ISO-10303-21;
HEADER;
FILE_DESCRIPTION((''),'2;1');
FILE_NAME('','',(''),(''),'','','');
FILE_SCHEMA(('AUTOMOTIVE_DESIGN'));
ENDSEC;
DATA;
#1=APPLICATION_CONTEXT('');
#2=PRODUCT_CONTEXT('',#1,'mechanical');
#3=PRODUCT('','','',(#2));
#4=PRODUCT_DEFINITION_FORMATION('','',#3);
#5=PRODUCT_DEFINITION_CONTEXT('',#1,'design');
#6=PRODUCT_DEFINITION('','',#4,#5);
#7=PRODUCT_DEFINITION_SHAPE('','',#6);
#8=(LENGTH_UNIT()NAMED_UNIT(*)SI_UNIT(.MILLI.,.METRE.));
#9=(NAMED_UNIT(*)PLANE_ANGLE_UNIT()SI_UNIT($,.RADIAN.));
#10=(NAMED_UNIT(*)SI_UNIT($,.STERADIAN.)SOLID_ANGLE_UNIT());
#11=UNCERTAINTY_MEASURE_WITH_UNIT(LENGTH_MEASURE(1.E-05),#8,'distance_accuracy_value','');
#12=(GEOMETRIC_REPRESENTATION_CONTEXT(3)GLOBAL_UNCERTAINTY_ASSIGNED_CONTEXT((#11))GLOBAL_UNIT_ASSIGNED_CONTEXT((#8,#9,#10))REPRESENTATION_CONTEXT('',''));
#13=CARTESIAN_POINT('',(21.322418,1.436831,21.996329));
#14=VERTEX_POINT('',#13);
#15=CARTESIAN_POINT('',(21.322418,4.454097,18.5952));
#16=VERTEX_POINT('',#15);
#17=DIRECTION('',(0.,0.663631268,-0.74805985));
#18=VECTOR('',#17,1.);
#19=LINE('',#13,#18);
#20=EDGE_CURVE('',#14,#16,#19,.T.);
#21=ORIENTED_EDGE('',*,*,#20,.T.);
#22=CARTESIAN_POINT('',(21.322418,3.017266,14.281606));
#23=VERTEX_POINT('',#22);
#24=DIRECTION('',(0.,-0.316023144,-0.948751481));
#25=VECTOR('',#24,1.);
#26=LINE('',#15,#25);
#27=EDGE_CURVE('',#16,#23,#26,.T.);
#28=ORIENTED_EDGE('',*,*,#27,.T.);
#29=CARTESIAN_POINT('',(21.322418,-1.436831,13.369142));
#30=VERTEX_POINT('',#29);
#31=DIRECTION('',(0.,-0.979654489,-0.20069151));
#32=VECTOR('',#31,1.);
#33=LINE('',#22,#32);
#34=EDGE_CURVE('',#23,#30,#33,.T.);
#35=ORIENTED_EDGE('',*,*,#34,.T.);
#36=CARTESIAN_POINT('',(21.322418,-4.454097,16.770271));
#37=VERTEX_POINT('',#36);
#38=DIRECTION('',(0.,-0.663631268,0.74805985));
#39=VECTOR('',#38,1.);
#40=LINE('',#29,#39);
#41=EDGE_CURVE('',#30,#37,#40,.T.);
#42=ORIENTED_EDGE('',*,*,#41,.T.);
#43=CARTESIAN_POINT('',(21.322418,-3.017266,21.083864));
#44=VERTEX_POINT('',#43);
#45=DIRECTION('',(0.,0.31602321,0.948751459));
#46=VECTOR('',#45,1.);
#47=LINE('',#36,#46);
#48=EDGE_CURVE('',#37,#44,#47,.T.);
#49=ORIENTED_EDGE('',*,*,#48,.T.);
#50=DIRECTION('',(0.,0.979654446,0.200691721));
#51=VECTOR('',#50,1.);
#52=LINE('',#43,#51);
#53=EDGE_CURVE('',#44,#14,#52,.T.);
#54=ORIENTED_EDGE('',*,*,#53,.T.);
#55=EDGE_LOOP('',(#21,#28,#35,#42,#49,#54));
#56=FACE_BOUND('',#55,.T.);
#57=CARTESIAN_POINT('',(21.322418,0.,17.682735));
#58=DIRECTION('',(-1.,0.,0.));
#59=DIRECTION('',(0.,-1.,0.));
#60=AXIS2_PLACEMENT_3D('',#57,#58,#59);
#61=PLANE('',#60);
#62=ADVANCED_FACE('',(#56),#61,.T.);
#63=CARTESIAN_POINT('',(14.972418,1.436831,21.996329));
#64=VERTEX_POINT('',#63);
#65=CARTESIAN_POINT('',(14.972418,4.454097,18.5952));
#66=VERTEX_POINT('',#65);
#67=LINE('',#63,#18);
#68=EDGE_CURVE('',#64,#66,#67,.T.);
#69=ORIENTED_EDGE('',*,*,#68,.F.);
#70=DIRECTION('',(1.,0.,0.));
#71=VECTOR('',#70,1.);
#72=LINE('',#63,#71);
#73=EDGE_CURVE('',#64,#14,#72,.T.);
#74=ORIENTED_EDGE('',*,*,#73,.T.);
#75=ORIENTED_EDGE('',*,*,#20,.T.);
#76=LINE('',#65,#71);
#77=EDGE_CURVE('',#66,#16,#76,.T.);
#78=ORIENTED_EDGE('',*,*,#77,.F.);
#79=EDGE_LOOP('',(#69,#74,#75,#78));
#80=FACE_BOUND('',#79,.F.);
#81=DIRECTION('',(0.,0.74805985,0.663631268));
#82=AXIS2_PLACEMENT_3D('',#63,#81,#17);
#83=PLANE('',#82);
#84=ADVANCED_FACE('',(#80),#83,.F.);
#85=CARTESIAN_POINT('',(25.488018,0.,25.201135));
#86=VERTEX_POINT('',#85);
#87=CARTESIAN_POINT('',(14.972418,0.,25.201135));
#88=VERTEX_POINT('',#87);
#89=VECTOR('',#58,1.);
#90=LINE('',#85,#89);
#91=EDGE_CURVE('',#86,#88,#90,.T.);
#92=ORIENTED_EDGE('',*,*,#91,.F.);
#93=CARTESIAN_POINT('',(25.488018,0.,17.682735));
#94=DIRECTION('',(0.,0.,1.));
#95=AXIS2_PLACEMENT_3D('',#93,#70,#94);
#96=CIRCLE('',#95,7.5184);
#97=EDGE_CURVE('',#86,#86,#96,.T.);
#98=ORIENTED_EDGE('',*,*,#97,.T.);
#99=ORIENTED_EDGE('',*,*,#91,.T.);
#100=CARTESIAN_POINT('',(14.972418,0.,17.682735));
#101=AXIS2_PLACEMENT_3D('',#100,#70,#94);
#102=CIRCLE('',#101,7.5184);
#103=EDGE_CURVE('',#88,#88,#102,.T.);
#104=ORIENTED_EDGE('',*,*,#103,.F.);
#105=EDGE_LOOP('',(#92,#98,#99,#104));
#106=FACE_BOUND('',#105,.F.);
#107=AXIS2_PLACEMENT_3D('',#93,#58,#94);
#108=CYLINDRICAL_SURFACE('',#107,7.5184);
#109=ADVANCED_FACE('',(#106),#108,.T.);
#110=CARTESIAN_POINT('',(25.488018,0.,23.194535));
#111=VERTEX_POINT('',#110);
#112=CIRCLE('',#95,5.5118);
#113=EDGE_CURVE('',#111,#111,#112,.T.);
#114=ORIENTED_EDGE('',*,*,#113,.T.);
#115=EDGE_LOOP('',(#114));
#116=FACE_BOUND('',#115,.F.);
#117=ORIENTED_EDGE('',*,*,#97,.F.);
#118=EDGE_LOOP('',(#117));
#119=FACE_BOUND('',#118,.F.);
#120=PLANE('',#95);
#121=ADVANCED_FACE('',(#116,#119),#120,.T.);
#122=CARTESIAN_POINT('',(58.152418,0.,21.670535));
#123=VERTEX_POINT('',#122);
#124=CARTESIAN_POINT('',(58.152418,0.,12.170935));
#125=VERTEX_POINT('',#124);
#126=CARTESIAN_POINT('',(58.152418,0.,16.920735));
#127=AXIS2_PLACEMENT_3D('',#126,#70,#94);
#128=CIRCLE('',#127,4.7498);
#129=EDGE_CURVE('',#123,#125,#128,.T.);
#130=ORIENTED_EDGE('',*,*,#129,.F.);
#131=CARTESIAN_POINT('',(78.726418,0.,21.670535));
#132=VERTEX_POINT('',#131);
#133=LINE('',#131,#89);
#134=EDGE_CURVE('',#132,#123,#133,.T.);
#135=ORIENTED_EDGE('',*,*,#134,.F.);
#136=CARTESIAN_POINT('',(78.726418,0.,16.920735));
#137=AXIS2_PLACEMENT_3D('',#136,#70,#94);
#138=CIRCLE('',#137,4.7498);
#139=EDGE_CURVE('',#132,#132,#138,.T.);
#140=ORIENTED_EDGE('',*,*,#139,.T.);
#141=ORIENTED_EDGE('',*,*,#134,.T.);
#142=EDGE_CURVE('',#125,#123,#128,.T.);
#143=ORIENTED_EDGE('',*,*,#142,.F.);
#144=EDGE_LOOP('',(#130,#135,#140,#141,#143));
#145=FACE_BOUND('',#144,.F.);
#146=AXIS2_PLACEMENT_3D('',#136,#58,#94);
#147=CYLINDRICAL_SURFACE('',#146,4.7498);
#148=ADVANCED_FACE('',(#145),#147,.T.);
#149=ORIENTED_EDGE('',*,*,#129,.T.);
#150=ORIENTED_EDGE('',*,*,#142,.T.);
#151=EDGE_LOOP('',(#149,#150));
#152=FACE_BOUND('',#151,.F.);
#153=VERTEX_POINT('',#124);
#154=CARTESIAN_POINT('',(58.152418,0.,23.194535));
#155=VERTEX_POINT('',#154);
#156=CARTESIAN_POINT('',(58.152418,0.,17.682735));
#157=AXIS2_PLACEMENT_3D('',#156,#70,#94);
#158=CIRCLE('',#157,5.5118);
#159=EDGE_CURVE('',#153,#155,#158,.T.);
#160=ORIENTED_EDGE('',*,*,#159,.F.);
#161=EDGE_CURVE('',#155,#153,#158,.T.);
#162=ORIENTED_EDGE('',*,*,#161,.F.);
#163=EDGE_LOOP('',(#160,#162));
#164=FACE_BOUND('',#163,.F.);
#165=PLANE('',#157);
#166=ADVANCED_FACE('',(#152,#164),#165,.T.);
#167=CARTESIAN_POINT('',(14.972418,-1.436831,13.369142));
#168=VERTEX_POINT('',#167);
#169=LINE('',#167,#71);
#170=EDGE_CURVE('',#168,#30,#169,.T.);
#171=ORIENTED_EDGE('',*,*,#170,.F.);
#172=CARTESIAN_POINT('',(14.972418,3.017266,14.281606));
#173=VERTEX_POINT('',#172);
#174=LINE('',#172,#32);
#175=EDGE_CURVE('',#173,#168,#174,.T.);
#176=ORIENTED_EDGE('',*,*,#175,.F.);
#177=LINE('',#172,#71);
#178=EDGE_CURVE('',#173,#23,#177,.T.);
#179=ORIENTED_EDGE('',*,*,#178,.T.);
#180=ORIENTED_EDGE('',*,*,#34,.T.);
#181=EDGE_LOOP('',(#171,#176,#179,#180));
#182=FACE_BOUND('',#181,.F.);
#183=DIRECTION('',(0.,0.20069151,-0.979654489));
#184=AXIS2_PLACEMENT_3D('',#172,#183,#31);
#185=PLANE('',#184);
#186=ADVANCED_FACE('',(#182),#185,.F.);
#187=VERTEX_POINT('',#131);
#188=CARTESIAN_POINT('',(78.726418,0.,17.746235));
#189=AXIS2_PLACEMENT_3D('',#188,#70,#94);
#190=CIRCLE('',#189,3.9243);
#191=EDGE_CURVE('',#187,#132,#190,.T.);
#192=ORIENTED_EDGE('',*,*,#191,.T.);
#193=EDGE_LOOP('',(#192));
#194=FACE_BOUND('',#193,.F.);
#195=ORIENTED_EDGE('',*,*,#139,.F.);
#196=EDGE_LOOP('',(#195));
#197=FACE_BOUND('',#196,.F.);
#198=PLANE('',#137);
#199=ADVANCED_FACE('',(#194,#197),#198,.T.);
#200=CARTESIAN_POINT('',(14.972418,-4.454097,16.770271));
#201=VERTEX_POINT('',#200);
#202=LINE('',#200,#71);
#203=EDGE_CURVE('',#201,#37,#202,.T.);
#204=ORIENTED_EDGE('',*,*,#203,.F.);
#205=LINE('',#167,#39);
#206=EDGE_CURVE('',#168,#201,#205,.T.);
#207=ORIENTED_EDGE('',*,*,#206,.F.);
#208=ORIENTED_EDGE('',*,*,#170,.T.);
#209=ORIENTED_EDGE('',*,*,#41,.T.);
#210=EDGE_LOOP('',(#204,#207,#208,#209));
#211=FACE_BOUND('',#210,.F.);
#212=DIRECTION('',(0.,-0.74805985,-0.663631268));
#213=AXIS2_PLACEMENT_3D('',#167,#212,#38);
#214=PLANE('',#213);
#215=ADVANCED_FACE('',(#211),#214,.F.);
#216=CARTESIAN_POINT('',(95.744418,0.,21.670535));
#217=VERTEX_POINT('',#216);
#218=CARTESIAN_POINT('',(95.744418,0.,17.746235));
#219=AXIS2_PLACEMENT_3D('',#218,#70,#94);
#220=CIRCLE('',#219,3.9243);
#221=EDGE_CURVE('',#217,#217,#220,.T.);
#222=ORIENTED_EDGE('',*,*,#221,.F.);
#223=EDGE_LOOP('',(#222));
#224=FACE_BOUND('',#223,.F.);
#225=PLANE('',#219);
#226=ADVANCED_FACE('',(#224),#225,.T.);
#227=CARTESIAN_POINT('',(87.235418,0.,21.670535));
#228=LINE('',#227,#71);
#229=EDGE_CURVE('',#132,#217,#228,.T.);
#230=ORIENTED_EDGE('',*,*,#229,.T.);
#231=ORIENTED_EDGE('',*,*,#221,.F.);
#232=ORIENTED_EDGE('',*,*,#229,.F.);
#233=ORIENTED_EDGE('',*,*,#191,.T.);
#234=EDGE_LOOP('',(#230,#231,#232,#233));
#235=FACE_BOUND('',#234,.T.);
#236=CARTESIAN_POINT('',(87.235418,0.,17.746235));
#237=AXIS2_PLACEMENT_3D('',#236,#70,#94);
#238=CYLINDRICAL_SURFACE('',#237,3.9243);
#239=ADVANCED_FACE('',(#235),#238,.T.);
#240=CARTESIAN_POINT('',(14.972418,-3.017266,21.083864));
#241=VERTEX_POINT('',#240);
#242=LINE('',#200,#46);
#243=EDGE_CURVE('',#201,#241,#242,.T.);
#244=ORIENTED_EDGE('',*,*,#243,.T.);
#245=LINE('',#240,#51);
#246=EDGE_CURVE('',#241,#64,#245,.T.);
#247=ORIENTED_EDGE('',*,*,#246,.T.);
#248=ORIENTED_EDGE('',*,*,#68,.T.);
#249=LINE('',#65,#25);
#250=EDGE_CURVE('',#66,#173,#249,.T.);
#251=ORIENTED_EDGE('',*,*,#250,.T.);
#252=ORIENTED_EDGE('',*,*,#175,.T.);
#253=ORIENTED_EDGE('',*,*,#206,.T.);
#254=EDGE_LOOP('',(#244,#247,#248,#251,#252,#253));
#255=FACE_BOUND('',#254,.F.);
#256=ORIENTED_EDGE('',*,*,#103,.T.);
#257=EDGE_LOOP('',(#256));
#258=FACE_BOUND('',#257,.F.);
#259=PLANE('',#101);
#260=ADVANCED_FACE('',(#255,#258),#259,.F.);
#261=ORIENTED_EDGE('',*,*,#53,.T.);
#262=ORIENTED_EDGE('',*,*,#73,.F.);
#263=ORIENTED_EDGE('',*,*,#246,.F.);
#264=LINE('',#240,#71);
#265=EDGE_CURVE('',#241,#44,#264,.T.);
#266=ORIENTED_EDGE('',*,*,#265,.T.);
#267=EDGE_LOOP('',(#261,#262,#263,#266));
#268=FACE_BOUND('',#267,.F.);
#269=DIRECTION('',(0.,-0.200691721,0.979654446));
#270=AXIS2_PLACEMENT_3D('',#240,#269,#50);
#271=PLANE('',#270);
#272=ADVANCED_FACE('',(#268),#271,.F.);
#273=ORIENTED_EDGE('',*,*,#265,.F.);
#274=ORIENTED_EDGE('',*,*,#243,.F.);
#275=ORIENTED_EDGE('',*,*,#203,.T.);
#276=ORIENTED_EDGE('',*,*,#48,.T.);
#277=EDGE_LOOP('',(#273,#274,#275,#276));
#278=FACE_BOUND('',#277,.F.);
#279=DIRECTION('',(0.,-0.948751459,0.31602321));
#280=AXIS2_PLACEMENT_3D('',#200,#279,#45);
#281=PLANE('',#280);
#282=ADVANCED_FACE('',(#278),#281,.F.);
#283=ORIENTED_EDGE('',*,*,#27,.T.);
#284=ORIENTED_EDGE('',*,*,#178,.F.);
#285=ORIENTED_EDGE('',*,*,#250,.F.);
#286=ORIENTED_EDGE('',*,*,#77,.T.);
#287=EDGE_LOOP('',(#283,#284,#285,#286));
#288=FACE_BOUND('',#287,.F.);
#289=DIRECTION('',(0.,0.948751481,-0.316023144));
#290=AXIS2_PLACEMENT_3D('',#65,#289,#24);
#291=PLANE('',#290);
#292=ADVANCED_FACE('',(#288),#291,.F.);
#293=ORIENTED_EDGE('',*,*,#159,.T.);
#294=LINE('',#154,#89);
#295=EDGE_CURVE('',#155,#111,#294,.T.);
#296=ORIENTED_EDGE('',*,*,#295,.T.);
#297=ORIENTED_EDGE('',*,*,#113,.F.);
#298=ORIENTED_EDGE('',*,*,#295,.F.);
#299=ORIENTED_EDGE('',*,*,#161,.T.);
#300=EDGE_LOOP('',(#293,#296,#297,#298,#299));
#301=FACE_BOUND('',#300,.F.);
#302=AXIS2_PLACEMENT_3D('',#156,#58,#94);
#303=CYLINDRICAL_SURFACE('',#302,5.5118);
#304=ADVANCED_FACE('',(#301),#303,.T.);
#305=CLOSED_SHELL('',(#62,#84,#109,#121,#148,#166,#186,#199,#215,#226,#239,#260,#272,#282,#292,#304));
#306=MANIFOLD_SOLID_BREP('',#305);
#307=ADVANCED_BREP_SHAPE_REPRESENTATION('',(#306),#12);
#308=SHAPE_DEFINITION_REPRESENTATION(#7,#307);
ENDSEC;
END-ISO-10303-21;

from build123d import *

# Parameters (mm, degrees)
F0_W     = 17.018
F0_H     = 3.9243
F6_DEPTH = 6.35


with BuildPart() as f1:
    # F0 (on Front) → F1 (revolve)
    with BuildSketch(Plane.XZ):
        Polygon((25.488018, 25.201135), (14.972418, 25.201135), (14.972418, 17.682735), (25.488018, 17.682735), (25.488018, 23.194535), align=None)
    revolve(axis=Axis((20.230218, 0, 17.682735), (1, 0, 0)))

    # F0 (on Front) → F2 (revolve)
    with BuildSketch(Plane.XZ):
        Polygon((25.488018, 23.194535), (25.488018, 17.682735), (58.152418, 17.682735), (58.152418, 21.670535), (58.152418, 23.194535), align=None)
    revolve(axis=Axis((41.820218, 0, 17.682735), (1, 0, 0)))

    # F0 (on Front) → F3 (revolve)
    with BuildSketch(Plane.XZ):
        Polygon((58.152418, 21.670535), (58.152418, 17.682735), (58.152418, 16.920735), (78.726418, 16.920735), (78.726418, 17.746235), (78.726418, 21.670535), align=None)
    revolve(axis=Axis((68.439418, 0, 16.920735), (1, 0, 0)))

    # F0 (on Front) → F4 (revolve)
    with BuildSketch(Plane.XZ):
        with Locations((87.235418, 19.708385)):
            Rectangle(F0_W, F0_H)
    revolve(axis=Axis((87.235418, 0, 17.746235), (1, 0, 0)))

    # F5 (on face) → F6 (cut)
    with BuildSketch(Plane(origin=(14.972418, 0, 0), x_dir=(0, -1, 0), z_dir=(-1, 0, 0))):
        Polygon((1.436831, 13.369142), (4.454097, 16.770271), (3.017266, 21.083864), (-1.436831, 21.996329), (-4.454097, 18.5952), (-3.017266, 14.281606), align=None)
    extrude(amount=-F6_DEPTH, mode=Mode.SUBTRACT)


solid = f1.part
